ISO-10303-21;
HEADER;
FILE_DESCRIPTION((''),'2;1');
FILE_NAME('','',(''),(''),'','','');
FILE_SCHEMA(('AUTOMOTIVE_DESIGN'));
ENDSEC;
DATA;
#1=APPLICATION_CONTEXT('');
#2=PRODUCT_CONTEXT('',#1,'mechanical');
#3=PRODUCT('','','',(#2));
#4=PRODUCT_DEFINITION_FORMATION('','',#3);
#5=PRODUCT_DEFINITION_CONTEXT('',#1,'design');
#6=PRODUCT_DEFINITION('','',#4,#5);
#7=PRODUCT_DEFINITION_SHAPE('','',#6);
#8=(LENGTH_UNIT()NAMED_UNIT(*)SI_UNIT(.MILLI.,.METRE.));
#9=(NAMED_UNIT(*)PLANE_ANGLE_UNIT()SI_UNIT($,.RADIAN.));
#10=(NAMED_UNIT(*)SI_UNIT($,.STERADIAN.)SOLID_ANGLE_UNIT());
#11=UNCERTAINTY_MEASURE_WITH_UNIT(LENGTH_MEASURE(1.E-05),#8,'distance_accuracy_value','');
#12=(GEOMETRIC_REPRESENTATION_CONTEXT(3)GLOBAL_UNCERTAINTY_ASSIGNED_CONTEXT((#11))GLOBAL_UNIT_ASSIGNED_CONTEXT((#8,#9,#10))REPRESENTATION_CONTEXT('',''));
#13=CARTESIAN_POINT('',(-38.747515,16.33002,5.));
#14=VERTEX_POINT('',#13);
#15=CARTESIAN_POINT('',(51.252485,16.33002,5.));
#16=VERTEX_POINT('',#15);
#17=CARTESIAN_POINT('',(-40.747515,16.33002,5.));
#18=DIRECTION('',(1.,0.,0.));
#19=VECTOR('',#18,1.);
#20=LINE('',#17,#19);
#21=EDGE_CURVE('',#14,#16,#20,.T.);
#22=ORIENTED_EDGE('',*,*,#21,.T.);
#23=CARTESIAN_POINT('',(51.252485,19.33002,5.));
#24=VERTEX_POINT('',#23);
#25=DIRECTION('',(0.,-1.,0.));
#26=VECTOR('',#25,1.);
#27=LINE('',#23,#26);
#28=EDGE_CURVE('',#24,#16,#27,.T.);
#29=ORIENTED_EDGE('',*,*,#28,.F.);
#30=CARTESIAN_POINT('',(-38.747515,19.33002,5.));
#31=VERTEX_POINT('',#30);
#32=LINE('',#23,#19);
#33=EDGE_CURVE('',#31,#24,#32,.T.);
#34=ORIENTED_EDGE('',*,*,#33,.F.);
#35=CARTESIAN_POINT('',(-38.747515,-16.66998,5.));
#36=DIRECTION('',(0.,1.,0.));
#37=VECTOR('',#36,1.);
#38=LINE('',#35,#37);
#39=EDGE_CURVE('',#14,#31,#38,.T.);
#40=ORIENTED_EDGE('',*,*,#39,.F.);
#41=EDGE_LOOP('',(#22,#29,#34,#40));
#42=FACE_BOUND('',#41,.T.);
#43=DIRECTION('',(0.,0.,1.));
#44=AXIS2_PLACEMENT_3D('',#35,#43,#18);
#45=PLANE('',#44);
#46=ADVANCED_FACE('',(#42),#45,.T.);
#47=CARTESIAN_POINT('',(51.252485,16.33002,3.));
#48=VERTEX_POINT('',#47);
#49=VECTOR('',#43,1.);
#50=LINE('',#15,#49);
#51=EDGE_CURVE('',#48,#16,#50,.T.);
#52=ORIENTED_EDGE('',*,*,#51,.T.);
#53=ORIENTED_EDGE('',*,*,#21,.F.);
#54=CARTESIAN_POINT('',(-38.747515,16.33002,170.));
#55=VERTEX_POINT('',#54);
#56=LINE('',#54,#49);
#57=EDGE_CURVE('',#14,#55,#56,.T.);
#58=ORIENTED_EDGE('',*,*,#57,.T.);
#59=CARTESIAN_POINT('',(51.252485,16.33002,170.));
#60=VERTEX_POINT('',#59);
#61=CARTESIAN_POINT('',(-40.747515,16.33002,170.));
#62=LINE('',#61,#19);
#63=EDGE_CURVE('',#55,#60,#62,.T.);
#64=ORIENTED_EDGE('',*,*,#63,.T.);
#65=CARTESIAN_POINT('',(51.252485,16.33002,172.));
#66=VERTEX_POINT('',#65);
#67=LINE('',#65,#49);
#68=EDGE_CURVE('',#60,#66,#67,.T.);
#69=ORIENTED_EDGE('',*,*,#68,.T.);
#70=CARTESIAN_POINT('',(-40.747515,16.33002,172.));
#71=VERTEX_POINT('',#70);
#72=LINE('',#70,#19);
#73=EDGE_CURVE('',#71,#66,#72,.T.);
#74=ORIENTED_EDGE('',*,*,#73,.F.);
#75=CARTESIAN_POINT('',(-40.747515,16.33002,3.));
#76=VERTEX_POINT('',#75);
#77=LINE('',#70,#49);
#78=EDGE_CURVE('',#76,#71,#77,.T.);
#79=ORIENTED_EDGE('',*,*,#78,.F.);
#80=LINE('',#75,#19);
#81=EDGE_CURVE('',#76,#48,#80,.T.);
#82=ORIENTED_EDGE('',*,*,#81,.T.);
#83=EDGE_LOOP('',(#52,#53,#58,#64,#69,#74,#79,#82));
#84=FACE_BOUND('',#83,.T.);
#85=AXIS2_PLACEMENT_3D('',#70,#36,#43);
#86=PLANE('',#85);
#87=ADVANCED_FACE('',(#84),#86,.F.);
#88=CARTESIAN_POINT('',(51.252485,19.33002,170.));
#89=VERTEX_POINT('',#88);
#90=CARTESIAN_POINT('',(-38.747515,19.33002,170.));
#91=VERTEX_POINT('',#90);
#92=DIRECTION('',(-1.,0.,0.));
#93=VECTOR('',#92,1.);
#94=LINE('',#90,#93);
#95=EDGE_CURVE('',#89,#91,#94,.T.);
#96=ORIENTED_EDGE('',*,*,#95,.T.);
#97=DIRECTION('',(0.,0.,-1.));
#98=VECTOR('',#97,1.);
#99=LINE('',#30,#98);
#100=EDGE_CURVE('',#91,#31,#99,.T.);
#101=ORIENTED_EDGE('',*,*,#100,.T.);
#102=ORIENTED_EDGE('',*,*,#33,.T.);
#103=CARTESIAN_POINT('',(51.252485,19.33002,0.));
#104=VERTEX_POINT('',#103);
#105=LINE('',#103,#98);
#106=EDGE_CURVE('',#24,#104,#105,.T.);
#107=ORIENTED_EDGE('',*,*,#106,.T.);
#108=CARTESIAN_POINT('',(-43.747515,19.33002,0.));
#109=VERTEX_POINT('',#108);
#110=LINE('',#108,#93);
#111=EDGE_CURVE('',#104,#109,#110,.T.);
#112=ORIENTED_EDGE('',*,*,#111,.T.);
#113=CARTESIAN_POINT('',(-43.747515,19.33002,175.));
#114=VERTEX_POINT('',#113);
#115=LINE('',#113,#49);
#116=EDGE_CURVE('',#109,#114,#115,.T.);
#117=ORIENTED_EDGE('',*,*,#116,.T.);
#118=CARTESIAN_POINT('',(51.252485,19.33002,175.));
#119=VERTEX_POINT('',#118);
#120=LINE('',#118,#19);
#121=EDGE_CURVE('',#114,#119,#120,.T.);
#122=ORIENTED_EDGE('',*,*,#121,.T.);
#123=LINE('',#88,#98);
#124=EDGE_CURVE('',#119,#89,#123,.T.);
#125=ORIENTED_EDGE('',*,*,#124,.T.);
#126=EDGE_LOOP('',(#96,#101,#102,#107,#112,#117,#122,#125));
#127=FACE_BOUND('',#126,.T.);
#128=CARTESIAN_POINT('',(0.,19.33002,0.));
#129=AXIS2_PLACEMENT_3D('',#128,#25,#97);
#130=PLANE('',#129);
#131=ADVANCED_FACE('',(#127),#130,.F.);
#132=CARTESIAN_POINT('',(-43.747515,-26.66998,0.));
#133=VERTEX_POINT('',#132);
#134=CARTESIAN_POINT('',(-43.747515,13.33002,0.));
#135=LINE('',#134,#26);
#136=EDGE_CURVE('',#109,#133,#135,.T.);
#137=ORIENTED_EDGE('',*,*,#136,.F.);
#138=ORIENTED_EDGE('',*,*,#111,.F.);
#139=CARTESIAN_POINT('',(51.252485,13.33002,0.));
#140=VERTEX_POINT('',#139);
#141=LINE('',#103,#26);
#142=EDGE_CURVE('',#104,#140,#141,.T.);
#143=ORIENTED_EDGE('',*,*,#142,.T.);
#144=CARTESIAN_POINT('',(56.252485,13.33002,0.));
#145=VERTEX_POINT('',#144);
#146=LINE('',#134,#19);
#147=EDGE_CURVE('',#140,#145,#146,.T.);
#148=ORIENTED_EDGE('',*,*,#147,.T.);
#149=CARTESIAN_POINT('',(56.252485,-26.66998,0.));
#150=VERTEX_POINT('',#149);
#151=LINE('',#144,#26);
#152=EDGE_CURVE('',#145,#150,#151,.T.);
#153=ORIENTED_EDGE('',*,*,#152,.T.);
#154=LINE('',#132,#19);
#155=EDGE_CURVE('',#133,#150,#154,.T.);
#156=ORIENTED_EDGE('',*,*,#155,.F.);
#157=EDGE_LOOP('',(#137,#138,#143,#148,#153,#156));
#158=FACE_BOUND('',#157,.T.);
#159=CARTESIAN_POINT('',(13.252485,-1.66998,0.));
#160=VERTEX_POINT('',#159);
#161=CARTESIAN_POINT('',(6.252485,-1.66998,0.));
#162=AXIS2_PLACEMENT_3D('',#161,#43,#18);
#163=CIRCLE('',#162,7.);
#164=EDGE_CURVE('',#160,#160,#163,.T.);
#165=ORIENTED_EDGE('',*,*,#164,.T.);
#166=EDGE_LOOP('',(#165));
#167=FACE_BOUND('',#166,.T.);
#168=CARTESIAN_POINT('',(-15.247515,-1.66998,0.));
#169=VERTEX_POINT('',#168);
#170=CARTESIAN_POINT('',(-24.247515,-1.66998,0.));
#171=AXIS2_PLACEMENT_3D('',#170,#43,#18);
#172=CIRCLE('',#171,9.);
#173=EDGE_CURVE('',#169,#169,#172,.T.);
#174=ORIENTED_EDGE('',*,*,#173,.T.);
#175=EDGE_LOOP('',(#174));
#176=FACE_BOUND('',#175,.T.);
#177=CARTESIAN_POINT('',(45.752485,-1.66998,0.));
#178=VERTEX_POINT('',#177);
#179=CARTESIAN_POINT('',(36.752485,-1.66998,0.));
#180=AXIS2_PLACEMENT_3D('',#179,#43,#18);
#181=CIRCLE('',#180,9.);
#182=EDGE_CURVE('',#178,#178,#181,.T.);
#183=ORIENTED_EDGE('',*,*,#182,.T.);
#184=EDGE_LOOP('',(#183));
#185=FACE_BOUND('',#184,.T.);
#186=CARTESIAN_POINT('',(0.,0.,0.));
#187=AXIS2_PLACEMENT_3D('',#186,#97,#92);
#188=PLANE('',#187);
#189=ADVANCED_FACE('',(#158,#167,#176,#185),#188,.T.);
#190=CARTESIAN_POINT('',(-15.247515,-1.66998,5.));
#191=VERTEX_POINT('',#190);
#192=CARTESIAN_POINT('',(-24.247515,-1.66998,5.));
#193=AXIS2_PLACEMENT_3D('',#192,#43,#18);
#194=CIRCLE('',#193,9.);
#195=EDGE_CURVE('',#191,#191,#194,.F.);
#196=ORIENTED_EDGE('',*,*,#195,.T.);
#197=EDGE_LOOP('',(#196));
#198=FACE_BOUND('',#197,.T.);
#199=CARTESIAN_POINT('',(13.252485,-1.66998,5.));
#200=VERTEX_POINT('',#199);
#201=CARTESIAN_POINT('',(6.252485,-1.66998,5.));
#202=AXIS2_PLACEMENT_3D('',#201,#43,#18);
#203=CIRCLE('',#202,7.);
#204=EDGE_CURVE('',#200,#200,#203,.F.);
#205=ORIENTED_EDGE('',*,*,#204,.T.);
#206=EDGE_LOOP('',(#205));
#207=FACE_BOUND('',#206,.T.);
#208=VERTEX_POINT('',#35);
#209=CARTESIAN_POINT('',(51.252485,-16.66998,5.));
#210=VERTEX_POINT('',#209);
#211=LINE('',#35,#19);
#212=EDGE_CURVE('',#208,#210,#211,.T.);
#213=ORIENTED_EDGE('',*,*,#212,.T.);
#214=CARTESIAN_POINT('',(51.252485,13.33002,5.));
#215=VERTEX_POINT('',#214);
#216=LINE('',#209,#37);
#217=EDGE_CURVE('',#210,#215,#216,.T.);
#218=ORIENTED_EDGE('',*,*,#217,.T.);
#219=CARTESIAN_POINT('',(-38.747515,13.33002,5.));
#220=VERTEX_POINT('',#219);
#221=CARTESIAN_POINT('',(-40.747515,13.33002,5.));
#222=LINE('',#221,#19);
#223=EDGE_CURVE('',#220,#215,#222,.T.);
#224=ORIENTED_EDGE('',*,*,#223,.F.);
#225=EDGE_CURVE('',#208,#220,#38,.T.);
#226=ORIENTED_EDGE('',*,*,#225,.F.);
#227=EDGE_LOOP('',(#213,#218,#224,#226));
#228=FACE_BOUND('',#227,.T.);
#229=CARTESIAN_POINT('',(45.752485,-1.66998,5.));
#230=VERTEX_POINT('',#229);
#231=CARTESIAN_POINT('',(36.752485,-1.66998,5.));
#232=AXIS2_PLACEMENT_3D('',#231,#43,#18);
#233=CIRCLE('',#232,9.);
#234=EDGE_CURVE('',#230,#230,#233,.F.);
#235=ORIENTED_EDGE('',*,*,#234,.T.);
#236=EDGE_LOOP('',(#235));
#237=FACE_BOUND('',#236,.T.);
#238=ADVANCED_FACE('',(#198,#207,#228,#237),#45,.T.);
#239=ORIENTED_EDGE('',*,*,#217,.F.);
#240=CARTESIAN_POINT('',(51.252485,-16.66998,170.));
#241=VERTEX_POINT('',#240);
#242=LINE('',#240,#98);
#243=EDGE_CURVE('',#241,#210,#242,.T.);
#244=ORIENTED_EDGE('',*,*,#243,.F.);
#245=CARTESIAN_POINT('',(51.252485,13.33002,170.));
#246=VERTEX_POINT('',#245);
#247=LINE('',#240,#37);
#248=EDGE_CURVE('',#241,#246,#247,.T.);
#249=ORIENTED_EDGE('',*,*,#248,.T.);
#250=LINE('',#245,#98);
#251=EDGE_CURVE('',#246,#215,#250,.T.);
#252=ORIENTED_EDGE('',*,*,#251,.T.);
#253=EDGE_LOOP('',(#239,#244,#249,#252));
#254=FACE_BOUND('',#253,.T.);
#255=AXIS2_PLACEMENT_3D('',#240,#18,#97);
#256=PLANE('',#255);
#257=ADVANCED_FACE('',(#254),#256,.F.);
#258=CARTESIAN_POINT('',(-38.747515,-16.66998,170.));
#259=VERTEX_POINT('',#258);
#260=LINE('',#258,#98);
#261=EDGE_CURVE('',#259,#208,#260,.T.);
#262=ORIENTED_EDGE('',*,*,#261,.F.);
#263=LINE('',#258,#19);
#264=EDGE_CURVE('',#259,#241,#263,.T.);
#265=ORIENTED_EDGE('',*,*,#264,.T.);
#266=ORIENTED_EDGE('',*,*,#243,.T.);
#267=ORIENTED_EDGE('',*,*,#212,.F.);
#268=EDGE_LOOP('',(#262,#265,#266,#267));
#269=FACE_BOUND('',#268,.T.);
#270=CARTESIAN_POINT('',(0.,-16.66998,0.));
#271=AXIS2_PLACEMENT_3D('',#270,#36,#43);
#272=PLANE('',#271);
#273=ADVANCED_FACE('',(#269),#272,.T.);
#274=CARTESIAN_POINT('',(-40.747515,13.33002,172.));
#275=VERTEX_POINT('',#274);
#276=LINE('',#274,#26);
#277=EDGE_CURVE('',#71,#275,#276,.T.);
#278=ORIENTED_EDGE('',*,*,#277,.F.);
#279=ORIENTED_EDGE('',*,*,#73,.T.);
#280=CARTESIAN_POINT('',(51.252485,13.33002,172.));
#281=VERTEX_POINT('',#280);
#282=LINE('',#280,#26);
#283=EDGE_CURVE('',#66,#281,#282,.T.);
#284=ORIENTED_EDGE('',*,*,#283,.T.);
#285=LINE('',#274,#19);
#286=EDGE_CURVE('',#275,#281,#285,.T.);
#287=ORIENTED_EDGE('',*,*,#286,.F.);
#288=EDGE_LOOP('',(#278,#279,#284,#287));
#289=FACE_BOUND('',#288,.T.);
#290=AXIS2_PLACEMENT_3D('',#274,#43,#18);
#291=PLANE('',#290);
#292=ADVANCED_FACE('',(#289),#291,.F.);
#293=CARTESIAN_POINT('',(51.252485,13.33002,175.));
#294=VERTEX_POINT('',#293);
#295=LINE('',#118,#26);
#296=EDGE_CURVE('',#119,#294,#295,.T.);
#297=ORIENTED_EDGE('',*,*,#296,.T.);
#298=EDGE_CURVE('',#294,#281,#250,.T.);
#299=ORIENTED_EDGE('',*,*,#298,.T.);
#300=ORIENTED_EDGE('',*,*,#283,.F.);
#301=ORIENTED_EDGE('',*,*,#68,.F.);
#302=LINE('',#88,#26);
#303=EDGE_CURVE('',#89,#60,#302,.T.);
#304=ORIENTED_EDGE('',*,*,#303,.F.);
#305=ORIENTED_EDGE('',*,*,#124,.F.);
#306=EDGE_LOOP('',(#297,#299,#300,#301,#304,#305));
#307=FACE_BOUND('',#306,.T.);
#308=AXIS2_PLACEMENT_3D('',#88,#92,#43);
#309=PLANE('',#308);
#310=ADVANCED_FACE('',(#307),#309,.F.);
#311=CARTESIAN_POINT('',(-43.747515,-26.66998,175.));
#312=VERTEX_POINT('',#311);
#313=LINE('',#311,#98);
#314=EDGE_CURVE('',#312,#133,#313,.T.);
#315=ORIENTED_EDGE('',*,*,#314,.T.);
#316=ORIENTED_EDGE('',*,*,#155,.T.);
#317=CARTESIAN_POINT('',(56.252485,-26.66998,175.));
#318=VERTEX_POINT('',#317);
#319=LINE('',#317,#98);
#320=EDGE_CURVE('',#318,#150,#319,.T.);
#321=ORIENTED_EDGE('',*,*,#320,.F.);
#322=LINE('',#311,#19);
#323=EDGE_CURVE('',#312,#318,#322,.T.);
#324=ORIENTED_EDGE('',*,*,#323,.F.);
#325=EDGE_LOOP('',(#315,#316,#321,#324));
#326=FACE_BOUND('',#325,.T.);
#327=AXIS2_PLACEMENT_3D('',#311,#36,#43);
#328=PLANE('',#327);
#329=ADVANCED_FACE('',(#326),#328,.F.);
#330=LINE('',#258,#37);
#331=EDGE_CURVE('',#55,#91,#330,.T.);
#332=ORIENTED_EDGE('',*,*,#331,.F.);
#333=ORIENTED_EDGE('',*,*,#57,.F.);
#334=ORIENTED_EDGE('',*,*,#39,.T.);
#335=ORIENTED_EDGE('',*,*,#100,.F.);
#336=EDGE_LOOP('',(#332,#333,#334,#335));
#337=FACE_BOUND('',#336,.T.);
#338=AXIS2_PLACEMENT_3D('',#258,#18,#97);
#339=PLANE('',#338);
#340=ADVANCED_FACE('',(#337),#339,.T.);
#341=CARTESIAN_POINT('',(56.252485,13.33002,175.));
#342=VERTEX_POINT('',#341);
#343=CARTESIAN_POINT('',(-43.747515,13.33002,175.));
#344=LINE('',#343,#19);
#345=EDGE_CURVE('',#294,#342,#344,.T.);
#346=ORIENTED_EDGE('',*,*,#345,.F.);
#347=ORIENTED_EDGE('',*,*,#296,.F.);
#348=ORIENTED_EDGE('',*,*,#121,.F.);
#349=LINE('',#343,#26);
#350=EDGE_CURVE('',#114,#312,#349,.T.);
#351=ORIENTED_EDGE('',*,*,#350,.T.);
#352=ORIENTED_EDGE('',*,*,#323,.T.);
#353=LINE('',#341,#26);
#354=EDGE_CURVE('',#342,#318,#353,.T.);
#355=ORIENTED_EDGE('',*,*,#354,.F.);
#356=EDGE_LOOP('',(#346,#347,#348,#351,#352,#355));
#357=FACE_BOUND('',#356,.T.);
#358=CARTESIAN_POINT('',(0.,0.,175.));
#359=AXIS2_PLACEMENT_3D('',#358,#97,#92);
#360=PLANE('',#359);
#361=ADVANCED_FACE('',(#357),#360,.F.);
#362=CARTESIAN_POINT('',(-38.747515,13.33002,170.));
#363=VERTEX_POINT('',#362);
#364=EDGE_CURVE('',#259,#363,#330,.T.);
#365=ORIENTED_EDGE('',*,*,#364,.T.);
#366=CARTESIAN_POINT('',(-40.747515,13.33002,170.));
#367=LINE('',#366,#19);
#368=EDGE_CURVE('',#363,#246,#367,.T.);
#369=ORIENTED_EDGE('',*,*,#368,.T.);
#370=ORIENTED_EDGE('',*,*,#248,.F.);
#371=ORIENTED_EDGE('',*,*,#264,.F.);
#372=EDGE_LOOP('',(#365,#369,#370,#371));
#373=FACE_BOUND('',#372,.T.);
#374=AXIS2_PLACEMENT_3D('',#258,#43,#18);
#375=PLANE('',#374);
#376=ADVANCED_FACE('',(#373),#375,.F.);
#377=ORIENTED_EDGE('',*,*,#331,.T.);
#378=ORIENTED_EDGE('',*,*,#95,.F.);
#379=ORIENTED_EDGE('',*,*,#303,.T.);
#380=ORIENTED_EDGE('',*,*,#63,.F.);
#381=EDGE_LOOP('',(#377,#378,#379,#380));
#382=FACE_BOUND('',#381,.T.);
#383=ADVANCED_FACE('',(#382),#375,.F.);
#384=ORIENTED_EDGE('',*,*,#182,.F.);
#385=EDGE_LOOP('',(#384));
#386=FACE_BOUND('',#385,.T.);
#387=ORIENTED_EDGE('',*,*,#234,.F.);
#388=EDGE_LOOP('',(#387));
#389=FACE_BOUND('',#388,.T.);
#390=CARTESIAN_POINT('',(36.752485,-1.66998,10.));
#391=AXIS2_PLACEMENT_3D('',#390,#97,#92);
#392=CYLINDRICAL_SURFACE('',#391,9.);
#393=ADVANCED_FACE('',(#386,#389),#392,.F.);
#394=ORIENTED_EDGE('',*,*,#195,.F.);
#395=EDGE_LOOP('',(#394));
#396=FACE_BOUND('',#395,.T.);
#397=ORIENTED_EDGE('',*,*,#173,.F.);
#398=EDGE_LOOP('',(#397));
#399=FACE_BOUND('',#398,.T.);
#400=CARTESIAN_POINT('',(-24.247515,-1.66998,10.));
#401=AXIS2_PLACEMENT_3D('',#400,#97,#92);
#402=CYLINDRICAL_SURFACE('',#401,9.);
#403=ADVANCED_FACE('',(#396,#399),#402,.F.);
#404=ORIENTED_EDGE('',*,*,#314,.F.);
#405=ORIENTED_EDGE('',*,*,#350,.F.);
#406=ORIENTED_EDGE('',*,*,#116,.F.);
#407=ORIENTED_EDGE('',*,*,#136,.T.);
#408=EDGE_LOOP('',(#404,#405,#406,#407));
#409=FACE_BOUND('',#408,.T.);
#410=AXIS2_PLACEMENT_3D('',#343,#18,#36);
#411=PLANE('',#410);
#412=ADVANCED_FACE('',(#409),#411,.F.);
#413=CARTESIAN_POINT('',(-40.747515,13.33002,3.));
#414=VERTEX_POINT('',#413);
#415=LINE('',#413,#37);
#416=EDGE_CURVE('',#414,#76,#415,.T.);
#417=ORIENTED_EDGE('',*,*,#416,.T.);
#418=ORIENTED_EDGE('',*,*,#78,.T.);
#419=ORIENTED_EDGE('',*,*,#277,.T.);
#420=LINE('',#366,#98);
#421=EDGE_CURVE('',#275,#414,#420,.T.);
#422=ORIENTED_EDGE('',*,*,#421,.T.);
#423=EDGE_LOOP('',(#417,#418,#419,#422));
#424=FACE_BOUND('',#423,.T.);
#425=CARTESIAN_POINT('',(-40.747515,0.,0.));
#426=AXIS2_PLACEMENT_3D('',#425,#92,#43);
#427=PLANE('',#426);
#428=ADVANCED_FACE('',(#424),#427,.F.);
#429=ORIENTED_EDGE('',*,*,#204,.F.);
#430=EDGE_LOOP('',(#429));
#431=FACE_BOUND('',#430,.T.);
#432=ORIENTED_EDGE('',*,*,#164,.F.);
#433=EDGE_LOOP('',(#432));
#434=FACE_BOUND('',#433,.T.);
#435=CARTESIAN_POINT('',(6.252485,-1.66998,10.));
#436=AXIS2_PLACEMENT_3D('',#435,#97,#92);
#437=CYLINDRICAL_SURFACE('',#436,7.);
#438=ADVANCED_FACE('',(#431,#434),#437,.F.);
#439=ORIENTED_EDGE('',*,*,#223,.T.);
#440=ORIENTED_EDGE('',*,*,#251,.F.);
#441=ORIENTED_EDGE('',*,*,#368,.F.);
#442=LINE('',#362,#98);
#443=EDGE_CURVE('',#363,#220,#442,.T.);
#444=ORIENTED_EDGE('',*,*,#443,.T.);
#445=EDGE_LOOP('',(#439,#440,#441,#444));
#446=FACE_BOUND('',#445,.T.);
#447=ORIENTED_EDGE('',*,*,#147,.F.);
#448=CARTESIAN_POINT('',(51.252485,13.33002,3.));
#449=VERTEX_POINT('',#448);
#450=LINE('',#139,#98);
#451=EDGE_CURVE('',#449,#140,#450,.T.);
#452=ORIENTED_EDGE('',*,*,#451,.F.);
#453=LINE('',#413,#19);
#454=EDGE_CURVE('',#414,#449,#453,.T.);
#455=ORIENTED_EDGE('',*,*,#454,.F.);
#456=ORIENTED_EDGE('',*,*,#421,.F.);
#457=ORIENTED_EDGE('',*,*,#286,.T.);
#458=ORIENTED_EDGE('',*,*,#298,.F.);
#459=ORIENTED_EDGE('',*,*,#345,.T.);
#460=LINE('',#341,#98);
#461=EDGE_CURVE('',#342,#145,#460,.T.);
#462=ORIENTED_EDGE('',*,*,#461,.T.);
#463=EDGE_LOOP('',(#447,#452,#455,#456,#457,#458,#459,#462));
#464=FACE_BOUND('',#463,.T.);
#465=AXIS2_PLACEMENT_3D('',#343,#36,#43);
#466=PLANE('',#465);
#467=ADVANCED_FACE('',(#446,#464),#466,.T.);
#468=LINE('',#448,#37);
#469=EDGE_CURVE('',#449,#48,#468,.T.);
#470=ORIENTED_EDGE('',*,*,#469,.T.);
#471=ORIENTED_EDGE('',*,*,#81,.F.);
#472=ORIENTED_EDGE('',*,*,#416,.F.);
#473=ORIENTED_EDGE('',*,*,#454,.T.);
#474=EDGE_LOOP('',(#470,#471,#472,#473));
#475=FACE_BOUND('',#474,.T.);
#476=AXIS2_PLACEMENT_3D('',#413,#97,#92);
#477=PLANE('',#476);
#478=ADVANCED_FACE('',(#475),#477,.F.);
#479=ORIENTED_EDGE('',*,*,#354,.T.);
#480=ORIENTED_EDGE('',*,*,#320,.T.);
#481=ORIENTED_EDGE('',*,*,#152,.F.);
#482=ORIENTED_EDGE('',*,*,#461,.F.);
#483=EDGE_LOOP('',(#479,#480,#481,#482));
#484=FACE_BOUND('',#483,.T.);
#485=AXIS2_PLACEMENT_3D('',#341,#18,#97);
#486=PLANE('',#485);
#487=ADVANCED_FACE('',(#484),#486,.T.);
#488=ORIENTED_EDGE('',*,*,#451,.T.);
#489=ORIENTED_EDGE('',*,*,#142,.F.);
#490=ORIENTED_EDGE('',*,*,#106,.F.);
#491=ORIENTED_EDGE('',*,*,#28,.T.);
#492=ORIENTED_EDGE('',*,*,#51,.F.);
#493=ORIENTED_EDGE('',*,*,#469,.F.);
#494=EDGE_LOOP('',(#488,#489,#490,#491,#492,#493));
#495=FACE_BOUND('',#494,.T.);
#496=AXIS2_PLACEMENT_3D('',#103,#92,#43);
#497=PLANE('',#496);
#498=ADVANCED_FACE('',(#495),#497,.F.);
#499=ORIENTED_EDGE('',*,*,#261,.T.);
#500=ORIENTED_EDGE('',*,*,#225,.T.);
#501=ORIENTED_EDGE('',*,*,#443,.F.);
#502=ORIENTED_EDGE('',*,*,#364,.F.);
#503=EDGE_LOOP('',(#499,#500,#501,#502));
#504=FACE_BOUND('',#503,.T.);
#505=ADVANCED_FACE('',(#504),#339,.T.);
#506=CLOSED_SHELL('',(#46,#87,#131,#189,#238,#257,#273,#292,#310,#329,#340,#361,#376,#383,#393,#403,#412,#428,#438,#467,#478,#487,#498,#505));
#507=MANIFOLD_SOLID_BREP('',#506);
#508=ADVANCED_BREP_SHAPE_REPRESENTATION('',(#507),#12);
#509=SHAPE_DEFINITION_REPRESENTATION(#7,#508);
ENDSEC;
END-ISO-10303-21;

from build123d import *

# Parameters (mm, degrees)
SKETCH1_W           = 100
SKETCH1_H           = 40
BOSS_EXTRUDE1_DEPTH = 175
SKETCH2_W           = 90
SKETCH2_H           = 165
CUT_EXTRUDE1_DEPTH  = 30
SKETCH18_R          = 7
SKETCH18_R_2        = 9
CUT_EXTRUDE9_DEPTH  = 10
BOSS_EXTRUDE3_DEPTH = 6
SKETCH27_W          = 2
SKETCH27_H          = 3
CUT_EXTRUDE13_DEPTH = 92
SKETCH28_W          = 2
SKETCH28_H          = 3
CUT_EXTRUDE14_DEPTH = 92
SKETCH29_W          = 165
SKETCH29_H          = 3
CUT_EXTRUDE15_DEPTH = 2


with BuildPart() as part:
    # Sketch1 → Boss-Extrude1 (new body)
    with BuildSketch(Plane.XY):
        with Locations((6.252485089, -6.669980119)):
            Rectangle(SKETCH1_W, SKETCH1_H)
    extrude(amount=BOSS_EXTRUDE1_DEPTH)

    # Sketch2 → Cut-Extrude1 (cut)
    with BuildSketch(Plane(origin=(0, 13.330019881, 0), x_dir=(1, 0, 0), z_dir=(0, 1, 0))):
        with Locations((6.252485089, -87.5)):
            Rectangle(SKETCH2_W, SKETCH2_H)
    extrude(amount=-CUT_EXTRUDE1_DEPTH, mode=Mode.SUBTRACT)

    # Sketch18 → Cut-Extrude9 (cut)
    with BuildSketch(Plane.XY):
        with Locations((6.252485089, -1.669980119)):
            Circle(SKETCH18_R)
        with Locations((36.752485089, -1.669980119)):
            Circle(SKETCH18_R_2)
        with Locations((-24.247514911, -1.669980119)):
            Circle(SKETCH18_R_2)
    extrude(amount=CUT_EXTRUDE9_DEPTH, mode=Mode.SUBTRACT)

    # Sketch26 → Boss-Extrude3 (add)
    with BuildSketch(Plane(origin=(0, 13.330019881, 0), x_dir=(1, 0, 0), z_dir=(0, 1, 0))):
        Polygon((51.252485089, -5), (-38.747514911, -5), (-38.747514911, -170), (51.252485089, -170), (51.252485089, -175), (-43.747514911, -175), (-43.747514911, 0), (51.252485089, 0), align=None)
    extrude(amount=BOSS_EXTRUDE3_DEPTH)

    # Sketch27 → Cut-Extrude13 (cut)
    with BuildSketch(Plane(origin=(51.252485089, 0, 0), x_dir=(0, 0, -1), z_dir=(1, 0, 0))):
        with Locations((-171, 14.830019881)):
            Rectangle(SKETCH27_W, SKETCH27_H)
    extrude(amount=-CUT_EXTRUDE13_DEPTH, mode=Mode.SUBTRACT)

    # Sketch28 → Cut-Extrude14 (cut)
    with BuildSketch(Plane(origin=(51.252485089, 0, 0), x_dir=(0, 0, -1), z_dir=(1, 0, 0))):
        with Locations((-4, 14.830019881)):
            Rectangle(SKETCH28_W, SKETCH28_H)
    extrude(amount=-CUT_EXTRUDE14_DEPTH, mode=Mode.SUBTRACT)

    # Sketch29 → Cut-Extrude15 (cut)
    with BuildSketch(Plane(origin=(-38.747514911, 0, 0), x_dir=(0, 0, -1), z_dir=(1, 0, 0))):
        with Locations((-87.5, 14.830019881)):
            Rectangle(SKETCH29_W, SKETCH29_H)
    extrude(amount=-CUT_EXTRUDE15_DEPTH, mode=Mode.SUBTRACT)


solid = part.part
